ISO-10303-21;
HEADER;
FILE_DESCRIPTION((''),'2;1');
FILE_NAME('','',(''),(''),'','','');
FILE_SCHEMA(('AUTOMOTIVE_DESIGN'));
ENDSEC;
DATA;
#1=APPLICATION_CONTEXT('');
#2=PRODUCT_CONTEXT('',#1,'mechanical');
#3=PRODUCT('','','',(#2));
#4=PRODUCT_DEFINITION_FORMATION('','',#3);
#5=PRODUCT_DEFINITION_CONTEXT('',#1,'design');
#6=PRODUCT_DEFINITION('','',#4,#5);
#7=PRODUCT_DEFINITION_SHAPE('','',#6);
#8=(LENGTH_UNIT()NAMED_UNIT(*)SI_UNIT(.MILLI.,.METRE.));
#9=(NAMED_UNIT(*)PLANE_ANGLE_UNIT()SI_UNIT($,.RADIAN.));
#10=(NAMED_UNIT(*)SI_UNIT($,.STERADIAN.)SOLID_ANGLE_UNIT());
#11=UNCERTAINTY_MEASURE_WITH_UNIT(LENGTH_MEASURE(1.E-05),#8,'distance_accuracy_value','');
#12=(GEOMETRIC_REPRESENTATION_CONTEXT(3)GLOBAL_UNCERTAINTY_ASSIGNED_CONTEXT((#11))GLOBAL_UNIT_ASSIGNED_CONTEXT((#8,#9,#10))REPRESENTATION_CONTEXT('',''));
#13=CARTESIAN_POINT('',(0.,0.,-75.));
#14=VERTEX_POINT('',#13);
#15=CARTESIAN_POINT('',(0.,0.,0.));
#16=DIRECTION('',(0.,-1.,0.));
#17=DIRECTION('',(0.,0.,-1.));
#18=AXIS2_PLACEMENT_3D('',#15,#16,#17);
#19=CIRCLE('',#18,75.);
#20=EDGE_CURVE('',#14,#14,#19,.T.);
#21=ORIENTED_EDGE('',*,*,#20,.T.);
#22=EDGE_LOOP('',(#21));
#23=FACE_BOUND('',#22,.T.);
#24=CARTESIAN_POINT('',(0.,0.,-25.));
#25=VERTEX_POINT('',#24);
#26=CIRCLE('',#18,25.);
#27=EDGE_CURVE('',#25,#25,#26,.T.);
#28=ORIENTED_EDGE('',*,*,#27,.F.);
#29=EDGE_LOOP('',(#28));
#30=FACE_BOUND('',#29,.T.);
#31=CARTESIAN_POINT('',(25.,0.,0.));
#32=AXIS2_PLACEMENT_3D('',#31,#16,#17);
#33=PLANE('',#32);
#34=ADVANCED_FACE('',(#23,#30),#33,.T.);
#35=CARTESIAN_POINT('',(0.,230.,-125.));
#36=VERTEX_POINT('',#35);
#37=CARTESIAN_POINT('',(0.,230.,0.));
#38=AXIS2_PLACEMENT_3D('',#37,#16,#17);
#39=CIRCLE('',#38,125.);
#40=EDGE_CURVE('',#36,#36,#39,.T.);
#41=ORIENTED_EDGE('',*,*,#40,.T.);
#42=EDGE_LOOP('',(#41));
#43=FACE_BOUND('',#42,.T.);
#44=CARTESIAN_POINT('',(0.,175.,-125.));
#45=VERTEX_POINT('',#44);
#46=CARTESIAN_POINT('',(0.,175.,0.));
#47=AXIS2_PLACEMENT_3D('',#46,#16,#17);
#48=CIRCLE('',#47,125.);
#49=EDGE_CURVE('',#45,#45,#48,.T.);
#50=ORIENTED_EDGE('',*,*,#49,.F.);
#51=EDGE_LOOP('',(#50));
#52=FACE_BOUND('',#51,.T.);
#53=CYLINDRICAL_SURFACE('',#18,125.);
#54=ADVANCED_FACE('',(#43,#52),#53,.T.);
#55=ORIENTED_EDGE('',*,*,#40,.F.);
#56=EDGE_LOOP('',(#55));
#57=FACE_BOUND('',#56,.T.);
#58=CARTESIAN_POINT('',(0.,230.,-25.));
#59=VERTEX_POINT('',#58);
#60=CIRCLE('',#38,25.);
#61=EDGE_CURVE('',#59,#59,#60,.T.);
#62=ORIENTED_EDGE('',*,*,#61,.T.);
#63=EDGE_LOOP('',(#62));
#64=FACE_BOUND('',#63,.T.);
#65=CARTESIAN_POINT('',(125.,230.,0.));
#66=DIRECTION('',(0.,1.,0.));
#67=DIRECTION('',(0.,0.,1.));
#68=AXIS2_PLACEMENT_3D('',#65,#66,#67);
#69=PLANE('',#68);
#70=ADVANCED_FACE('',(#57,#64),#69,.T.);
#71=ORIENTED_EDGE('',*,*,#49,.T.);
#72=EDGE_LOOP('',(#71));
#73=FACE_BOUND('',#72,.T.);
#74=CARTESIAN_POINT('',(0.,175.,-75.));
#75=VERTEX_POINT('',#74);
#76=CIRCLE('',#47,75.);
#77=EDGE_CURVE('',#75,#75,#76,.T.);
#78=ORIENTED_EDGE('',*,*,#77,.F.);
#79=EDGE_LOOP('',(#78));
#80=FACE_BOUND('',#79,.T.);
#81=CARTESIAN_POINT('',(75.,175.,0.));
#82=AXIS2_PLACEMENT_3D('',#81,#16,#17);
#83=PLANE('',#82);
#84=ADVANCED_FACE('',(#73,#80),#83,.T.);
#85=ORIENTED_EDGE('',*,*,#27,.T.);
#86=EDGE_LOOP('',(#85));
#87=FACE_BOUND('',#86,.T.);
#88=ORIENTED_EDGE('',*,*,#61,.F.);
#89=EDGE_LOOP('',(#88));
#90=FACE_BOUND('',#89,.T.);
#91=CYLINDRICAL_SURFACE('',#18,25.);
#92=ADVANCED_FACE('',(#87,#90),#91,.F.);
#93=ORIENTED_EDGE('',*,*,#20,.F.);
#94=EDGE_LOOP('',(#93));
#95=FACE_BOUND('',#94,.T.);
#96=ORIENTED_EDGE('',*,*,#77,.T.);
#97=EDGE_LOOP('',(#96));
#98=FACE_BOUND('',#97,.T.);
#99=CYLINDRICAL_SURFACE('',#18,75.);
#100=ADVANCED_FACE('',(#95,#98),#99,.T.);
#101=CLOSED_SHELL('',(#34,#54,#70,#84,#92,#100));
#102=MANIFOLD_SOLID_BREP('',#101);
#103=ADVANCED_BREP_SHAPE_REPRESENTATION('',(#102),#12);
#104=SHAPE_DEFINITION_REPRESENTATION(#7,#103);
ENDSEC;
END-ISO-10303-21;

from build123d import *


with BuildPart() as part:
    # Sketch1 → Revolve1 (revolve)
    with BuildSketch(Plane.XY, mode=Mode.PRIVATE) as revolve1_sk:
        Polygon((25, 0), (75, 0), (75, 175), (125, 175), (125, 230), (25, 230), align=None)
    revolve(revolve1_sk.sketch.rotate(Axis((0, 0, 0), (0, 1, 0)), 90), axis=Axis((0, 0, 0), (0, 1, 0)))


solid = part.part
